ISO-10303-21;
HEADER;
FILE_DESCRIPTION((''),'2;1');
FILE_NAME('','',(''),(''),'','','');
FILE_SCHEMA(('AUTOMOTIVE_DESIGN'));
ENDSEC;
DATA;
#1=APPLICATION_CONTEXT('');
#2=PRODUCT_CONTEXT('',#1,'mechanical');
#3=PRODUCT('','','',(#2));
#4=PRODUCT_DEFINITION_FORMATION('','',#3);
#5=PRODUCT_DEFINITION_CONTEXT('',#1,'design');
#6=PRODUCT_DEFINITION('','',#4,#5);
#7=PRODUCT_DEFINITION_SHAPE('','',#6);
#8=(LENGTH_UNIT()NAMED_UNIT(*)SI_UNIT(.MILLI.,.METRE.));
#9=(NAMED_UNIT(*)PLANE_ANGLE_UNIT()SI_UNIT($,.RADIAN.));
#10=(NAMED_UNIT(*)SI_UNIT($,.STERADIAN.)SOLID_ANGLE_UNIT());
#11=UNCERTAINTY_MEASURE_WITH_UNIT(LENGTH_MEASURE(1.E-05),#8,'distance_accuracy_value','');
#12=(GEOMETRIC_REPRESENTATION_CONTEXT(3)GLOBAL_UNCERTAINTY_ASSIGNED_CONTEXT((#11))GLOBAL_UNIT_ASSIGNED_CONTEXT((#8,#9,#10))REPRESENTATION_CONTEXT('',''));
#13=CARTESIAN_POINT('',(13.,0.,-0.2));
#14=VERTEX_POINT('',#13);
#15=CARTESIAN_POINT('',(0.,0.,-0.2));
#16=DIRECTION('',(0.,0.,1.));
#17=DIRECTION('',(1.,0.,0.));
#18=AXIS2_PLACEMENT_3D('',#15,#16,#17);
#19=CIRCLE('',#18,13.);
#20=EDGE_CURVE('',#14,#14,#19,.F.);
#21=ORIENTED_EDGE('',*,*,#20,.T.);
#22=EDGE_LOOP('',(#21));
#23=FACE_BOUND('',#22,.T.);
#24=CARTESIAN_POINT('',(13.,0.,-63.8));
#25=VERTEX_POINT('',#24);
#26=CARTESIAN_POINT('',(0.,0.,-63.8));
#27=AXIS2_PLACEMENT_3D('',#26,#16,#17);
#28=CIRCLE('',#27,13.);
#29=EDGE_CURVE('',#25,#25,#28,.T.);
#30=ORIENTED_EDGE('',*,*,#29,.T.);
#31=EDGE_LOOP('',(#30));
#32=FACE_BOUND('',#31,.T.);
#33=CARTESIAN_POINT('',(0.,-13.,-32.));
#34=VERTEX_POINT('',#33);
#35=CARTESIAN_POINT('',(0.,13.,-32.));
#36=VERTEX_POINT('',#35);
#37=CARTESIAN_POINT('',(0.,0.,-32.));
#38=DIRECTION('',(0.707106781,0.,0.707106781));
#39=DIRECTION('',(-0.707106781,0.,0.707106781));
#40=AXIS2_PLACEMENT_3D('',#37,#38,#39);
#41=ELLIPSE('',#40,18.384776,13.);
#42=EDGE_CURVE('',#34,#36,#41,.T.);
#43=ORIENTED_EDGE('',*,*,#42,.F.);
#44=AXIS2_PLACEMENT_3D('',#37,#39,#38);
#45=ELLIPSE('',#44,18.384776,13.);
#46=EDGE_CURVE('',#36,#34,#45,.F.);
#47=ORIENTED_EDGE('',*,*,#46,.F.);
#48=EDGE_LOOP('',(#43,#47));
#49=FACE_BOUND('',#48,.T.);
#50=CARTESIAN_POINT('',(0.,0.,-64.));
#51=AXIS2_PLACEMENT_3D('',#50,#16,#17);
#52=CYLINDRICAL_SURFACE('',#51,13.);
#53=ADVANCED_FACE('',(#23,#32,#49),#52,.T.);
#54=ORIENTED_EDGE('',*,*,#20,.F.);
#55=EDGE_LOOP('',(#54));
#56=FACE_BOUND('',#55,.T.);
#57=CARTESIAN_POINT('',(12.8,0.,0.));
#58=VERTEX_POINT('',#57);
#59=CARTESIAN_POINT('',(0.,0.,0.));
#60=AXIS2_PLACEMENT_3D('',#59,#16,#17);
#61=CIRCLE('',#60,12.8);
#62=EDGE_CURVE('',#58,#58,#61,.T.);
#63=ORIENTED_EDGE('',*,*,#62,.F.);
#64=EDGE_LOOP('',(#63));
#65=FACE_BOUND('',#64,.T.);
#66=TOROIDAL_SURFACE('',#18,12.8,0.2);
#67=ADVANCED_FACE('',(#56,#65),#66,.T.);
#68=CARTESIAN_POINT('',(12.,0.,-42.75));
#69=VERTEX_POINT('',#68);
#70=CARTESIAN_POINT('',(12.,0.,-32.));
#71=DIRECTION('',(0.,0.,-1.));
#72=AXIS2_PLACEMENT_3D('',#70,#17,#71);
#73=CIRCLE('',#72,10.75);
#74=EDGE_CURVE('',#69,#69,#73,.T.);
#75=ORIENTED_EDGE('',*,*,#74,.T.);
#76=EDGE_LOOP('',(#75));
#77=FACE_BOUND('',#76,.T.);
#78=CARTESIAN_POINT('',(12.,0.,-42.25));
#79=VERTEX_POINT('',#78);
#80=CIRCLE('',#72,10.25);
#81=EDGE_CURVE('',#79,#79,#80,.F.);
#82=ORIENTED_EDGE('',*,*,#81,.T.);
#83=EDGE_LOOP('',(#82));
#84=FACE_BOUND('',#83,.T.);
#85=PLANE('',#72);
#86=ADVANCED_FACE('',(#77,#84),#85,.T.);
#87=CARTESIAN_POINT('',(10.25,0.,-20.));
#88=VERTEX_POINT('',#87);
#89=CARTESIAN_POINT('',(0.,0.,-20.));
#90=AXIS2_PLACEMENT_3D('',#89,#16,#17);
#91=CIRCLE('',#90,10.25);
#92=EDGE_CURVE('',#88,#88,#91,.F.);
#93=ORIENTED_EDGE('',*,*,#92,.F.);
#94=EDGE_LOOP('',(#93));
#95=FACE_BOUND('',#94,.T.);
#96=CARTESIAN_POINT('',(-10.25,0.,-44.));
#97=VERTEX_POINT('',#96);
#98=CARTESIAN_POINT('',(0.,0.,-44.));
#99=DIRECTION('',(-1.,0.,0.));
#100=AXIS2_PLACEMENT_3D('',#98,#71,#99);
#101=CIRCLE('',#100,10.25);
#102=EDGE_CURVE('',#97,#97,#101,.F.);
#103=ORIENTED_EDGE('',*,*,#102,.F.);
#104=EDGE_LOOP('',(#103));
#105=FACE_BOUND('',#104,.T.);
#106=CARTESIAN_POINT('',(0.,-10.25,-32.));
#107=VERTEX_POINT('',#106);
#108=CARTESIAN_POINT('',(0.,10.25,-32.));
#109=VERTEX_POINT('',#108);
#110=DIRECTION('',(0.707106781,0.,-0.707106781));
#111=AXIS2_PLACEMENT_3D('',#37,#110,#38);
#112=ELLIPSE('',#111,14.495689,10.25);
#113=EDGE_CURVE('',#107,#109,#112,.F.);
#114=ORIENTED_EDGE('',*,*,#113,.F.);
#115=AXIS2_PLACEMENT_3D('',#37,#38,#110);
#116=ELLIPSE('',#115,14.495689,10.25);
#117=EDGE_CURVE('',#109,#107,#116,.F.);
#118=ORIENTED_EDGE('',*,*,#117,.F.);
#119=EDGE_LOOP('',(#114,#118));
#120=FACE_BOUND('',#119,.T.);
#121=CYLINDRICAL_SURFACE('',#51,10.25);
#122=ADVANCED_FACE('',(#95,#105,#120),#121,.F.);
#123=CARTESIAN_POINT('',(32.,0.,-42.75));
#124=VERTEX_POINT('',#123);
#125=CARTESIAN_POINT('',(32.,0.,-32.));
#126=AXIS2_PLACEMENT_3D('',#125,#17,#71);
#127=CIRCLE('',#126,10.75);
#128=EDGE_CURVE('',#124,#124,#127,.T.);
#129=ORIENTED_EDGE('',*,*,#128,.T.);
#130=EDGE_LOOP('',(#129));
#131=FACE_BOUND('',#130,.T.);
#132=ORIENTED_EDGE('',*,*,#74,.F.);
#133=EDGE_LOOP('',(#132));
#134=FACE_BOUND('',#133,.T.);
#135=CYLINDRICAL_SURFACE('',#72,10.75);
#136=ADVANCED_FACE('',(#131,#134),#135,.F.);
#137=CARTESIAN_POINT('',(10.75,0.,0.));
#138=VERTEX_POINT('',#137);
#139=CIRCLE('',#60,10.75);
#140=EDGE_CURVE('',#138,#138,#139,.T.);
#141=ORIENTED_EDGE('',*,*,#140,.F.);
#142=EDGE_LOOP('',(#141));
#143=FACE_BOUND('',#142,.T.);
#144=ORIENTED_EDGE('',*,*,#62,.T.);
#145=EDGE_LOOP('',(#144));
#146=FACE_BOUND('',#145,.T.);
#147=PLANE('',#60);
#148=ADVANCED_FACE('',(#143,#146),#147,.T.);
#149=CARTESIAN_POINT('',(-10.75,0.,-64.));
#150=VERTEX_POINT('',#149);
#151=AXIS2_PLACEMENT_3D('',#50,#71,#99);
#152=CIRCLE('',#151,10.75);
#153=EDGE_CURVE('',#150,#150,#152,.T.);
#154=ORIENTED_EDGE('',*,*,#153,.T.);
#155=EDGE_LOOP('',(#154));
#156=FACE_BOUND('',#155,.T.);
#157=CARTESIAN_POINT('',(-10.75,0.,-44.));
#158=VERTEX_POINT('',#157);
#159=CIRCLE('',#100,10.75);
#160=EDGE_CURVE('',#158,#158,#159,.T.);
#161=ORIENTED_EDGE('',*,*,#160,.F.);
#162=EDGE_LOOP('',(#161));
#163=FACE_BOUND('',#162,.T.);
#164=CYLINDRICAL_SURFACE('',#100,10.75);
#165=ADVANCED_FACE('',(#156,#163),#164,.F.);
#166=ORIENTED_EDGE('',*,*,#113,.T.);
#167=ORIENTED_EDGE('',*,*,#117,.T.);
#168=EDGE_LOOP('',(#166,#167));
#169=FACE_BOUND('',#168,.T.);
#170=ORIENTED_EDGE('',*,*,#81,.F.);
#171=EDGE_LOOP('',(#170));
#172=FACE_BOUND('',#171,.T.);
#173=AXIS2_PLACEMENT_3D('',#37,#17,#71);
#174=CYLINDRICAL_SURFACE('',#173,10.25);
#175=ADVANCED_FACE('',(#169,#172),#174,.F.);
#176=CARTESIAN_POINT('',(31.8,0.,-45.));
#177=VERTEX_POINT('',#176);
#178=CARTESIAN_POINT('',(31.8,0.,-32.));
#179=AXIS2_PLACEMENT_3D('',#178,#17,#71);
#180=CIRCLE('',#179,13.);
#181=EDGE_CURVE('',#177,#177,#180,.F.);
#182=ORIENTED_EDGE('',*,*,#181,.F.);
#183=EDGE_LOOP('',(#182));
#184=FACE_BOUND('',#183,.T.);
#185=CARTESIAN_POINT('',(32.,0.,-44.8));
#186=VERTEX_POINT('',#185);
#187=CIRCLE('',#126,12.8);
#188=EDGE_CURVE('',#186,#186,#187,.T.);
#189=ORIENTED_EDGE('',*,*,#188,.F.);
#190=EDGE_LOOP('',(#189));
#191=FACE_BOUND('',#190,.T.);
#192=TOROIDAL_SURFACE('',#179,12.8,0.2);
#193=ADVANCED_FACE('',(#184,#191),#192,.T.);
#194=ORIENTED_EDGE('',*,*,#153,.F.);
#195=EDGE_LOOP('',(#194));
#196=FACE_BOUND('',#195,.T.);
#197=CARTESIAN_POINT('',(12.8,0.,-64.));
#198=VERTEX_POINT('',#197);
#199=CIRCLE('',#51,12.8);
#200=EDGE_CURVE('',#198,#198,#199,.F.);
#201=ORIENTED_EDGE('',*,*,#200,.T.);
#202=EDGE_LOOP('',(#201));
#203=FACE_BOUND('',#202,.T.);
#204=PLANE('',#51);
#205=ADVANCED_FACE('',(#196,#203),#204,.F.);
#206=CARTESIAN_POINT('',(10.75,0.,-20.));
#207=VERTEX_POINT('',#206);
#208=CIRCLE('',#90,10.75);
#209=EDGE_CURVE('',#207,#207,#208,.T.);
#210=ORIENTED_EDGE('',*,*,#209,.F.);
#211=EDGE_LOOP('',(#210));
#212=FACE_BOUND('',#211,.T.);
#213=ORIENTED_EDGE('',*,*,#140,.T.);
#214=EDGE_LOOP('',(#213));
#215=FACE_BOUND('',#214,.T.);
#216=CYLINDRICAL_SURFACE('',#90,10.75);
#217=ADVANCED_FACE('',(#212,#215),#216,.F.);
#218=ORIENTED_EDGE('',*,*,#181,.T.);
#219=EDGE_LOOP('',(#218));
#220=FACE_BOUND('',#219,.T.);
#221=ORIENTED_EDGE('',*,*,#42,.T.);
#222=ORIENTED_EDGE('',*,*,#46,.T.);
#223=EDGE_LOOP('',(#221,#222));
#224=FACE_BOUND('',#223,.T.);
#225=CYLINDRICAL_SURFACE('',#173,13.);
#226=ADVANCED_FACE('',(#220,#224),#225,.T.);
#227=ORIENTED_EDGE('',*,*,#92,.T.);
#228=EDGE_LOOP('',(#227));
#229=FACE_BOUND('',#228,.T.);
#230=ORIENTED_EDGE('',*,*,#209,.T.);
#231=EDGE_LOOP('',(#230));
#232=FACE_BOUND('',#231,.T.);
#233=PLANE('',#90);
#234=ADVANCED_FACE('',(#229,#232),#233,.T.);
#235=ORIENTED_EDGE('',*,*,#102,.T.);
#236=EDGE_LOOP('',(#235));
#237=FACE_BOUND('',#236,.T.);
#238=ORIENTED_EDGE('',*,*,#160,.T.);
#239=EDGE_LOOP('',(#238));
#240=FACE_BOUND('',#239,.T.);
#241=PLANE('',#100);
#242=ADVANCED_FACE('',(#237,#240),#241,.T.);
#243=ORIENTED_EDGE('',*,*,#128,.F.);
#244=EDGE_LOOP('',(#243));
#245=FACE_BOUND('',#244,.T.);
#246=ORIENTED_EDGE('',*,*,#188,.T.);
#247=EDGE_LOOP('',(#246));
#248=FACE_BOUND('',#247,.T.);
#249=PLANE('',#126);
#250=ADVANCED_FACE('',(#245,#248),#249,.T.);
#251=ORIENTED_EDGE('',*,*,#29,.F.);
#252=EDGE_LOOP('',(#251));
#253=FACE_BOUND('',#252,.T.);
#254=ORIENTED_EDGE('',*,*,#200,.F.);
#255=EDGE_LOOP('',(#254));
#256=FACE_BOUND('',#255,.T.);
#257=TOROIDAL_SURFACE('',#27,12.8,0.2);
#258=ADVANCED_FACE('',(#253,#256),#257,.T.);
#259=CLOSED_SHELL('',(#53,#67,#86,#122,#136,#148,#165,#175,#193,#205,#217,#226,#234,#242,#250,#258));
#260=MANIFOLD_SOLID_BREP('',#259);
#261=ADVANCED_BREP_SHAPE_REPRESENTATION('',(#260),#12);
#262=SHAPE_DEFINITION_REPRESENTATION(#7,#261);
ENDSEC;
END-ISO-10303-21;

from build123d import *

# Parameters (mm, degrees)
SKETCH2_R           = 13
SKETCH2_R_2         = 10.25
BOSS_EXTRUDE1_DEPTH = 64
SKETCH3_R           = 13
BOSS_EXTRUDE2_DEPTH = 32
SKETCH4_R           = 10.25
CUT_EXTRUDE1_DEPTH  = 32
SKETCH5_R           = 10.25
CUT_EXTRUDE2_DEPTH  = 78
SKETCH6_R           = 10.75
CUT_EXTRUDE3_DEPTH  = 20
CUT_EXTRUDE4_START  = -20
SKETCH7_R           = 10.75
CUT_EXTRUDE4_DEPTH  = 20
SKETCH8_R           = 10.75
CUT_EXTRUDE5_DEPTH  = 20
FILLET1_R           = 0.2


with BuildPart() as part:
    # Sketch2 → Boss-Extrude1 (new body)
    with BuildSketch(Plane.XY):
        Circle(SKETCH2_R)
        Circle(SKETCH2_R_2, mode=Mode.SUBTRACT)
    extrude(amount=-BOSS_EXTRUDE1_DEPTH)

    # Sketch3 → Boss-Extrude2 (add)
    with BuildSketch(Plane(origin=(32, 0, 0), x_dir=(0, 0, -1), z_dir=(1, 0, 0))):
        with Locations((32, 0)):
            Circle(SKETCH3_R)
    extrude(amount=-BOSS_EXTRUDE2_DEPTH)

    # Sketch4 → Cut-Extrude1 (cut)
    with BuildSketch(Plane(origin=(32, 0, 0), x_dir=(0, 0, -1), z_dir=(1, 0, 0))):
        with Locations((32, 0)):
            Circle(SKETCH4_R)
    extrude(amount=-CUT_EXTRUDE1_DEPTH, mode=Mode.SUBTRACT)

    # Sketch5 → Cut-Extrude2 (cut)
    with BuildSketch(Plane.XY):
        Circle(SKETCH5_R)
    extrude(amount=-CUT_EXTRUDE2_DEPTH, mode=Mode.SUBTRACT)

    # Sketch6 → Cut-Extrude3 (cut)
    with BuildSketch(Plane.XY):
        Circle(SKETCH6_R)
    extrude(amount=-CUT_EXTRUDE3_DEPTH, mode=Mode.SUBTRACT)

    # Sketch7 → Cut-Extrude4 (cut)
    with BuildSketch(Plane(origin=(0, 0, -64), x_dir=(-1, 0, 0), z_dir=(0, 0, -1)).offset(CUT_EXTRUDE4_START)):
        with Locations(Location((0, 0, 0), (0, 0, 180))):
            Circle(SKETCH7_R)
    extrude(amount=CUT_EXTRUDE4_DEPTH, mode=Mode.SUBTRACT)

    # Sketch8 → Cut-Extrude5 (cut)
    with BuildSketch(Plane(origin=(32, 0, 0), x_dir=(0, 0, -1), z_dir=(1, 0, 0))):
        with Locations((32, 0)):
            Circle(SKETCH8_R)
    extrude(amount=-CUT_EXTRUDE5_DEPTH, mode=Mode.SUBTRACT)

    # Fillet1
    fillet1_edges = [part.edges().sort_by_distance(p)[0] for p in [
        (32, 0, -19),
        (-13, 0, 0),
        (-13, 0, -64),
    ]]
    fillet(fillet1_edges, radius=FILLET1_R)


solid = part.part
